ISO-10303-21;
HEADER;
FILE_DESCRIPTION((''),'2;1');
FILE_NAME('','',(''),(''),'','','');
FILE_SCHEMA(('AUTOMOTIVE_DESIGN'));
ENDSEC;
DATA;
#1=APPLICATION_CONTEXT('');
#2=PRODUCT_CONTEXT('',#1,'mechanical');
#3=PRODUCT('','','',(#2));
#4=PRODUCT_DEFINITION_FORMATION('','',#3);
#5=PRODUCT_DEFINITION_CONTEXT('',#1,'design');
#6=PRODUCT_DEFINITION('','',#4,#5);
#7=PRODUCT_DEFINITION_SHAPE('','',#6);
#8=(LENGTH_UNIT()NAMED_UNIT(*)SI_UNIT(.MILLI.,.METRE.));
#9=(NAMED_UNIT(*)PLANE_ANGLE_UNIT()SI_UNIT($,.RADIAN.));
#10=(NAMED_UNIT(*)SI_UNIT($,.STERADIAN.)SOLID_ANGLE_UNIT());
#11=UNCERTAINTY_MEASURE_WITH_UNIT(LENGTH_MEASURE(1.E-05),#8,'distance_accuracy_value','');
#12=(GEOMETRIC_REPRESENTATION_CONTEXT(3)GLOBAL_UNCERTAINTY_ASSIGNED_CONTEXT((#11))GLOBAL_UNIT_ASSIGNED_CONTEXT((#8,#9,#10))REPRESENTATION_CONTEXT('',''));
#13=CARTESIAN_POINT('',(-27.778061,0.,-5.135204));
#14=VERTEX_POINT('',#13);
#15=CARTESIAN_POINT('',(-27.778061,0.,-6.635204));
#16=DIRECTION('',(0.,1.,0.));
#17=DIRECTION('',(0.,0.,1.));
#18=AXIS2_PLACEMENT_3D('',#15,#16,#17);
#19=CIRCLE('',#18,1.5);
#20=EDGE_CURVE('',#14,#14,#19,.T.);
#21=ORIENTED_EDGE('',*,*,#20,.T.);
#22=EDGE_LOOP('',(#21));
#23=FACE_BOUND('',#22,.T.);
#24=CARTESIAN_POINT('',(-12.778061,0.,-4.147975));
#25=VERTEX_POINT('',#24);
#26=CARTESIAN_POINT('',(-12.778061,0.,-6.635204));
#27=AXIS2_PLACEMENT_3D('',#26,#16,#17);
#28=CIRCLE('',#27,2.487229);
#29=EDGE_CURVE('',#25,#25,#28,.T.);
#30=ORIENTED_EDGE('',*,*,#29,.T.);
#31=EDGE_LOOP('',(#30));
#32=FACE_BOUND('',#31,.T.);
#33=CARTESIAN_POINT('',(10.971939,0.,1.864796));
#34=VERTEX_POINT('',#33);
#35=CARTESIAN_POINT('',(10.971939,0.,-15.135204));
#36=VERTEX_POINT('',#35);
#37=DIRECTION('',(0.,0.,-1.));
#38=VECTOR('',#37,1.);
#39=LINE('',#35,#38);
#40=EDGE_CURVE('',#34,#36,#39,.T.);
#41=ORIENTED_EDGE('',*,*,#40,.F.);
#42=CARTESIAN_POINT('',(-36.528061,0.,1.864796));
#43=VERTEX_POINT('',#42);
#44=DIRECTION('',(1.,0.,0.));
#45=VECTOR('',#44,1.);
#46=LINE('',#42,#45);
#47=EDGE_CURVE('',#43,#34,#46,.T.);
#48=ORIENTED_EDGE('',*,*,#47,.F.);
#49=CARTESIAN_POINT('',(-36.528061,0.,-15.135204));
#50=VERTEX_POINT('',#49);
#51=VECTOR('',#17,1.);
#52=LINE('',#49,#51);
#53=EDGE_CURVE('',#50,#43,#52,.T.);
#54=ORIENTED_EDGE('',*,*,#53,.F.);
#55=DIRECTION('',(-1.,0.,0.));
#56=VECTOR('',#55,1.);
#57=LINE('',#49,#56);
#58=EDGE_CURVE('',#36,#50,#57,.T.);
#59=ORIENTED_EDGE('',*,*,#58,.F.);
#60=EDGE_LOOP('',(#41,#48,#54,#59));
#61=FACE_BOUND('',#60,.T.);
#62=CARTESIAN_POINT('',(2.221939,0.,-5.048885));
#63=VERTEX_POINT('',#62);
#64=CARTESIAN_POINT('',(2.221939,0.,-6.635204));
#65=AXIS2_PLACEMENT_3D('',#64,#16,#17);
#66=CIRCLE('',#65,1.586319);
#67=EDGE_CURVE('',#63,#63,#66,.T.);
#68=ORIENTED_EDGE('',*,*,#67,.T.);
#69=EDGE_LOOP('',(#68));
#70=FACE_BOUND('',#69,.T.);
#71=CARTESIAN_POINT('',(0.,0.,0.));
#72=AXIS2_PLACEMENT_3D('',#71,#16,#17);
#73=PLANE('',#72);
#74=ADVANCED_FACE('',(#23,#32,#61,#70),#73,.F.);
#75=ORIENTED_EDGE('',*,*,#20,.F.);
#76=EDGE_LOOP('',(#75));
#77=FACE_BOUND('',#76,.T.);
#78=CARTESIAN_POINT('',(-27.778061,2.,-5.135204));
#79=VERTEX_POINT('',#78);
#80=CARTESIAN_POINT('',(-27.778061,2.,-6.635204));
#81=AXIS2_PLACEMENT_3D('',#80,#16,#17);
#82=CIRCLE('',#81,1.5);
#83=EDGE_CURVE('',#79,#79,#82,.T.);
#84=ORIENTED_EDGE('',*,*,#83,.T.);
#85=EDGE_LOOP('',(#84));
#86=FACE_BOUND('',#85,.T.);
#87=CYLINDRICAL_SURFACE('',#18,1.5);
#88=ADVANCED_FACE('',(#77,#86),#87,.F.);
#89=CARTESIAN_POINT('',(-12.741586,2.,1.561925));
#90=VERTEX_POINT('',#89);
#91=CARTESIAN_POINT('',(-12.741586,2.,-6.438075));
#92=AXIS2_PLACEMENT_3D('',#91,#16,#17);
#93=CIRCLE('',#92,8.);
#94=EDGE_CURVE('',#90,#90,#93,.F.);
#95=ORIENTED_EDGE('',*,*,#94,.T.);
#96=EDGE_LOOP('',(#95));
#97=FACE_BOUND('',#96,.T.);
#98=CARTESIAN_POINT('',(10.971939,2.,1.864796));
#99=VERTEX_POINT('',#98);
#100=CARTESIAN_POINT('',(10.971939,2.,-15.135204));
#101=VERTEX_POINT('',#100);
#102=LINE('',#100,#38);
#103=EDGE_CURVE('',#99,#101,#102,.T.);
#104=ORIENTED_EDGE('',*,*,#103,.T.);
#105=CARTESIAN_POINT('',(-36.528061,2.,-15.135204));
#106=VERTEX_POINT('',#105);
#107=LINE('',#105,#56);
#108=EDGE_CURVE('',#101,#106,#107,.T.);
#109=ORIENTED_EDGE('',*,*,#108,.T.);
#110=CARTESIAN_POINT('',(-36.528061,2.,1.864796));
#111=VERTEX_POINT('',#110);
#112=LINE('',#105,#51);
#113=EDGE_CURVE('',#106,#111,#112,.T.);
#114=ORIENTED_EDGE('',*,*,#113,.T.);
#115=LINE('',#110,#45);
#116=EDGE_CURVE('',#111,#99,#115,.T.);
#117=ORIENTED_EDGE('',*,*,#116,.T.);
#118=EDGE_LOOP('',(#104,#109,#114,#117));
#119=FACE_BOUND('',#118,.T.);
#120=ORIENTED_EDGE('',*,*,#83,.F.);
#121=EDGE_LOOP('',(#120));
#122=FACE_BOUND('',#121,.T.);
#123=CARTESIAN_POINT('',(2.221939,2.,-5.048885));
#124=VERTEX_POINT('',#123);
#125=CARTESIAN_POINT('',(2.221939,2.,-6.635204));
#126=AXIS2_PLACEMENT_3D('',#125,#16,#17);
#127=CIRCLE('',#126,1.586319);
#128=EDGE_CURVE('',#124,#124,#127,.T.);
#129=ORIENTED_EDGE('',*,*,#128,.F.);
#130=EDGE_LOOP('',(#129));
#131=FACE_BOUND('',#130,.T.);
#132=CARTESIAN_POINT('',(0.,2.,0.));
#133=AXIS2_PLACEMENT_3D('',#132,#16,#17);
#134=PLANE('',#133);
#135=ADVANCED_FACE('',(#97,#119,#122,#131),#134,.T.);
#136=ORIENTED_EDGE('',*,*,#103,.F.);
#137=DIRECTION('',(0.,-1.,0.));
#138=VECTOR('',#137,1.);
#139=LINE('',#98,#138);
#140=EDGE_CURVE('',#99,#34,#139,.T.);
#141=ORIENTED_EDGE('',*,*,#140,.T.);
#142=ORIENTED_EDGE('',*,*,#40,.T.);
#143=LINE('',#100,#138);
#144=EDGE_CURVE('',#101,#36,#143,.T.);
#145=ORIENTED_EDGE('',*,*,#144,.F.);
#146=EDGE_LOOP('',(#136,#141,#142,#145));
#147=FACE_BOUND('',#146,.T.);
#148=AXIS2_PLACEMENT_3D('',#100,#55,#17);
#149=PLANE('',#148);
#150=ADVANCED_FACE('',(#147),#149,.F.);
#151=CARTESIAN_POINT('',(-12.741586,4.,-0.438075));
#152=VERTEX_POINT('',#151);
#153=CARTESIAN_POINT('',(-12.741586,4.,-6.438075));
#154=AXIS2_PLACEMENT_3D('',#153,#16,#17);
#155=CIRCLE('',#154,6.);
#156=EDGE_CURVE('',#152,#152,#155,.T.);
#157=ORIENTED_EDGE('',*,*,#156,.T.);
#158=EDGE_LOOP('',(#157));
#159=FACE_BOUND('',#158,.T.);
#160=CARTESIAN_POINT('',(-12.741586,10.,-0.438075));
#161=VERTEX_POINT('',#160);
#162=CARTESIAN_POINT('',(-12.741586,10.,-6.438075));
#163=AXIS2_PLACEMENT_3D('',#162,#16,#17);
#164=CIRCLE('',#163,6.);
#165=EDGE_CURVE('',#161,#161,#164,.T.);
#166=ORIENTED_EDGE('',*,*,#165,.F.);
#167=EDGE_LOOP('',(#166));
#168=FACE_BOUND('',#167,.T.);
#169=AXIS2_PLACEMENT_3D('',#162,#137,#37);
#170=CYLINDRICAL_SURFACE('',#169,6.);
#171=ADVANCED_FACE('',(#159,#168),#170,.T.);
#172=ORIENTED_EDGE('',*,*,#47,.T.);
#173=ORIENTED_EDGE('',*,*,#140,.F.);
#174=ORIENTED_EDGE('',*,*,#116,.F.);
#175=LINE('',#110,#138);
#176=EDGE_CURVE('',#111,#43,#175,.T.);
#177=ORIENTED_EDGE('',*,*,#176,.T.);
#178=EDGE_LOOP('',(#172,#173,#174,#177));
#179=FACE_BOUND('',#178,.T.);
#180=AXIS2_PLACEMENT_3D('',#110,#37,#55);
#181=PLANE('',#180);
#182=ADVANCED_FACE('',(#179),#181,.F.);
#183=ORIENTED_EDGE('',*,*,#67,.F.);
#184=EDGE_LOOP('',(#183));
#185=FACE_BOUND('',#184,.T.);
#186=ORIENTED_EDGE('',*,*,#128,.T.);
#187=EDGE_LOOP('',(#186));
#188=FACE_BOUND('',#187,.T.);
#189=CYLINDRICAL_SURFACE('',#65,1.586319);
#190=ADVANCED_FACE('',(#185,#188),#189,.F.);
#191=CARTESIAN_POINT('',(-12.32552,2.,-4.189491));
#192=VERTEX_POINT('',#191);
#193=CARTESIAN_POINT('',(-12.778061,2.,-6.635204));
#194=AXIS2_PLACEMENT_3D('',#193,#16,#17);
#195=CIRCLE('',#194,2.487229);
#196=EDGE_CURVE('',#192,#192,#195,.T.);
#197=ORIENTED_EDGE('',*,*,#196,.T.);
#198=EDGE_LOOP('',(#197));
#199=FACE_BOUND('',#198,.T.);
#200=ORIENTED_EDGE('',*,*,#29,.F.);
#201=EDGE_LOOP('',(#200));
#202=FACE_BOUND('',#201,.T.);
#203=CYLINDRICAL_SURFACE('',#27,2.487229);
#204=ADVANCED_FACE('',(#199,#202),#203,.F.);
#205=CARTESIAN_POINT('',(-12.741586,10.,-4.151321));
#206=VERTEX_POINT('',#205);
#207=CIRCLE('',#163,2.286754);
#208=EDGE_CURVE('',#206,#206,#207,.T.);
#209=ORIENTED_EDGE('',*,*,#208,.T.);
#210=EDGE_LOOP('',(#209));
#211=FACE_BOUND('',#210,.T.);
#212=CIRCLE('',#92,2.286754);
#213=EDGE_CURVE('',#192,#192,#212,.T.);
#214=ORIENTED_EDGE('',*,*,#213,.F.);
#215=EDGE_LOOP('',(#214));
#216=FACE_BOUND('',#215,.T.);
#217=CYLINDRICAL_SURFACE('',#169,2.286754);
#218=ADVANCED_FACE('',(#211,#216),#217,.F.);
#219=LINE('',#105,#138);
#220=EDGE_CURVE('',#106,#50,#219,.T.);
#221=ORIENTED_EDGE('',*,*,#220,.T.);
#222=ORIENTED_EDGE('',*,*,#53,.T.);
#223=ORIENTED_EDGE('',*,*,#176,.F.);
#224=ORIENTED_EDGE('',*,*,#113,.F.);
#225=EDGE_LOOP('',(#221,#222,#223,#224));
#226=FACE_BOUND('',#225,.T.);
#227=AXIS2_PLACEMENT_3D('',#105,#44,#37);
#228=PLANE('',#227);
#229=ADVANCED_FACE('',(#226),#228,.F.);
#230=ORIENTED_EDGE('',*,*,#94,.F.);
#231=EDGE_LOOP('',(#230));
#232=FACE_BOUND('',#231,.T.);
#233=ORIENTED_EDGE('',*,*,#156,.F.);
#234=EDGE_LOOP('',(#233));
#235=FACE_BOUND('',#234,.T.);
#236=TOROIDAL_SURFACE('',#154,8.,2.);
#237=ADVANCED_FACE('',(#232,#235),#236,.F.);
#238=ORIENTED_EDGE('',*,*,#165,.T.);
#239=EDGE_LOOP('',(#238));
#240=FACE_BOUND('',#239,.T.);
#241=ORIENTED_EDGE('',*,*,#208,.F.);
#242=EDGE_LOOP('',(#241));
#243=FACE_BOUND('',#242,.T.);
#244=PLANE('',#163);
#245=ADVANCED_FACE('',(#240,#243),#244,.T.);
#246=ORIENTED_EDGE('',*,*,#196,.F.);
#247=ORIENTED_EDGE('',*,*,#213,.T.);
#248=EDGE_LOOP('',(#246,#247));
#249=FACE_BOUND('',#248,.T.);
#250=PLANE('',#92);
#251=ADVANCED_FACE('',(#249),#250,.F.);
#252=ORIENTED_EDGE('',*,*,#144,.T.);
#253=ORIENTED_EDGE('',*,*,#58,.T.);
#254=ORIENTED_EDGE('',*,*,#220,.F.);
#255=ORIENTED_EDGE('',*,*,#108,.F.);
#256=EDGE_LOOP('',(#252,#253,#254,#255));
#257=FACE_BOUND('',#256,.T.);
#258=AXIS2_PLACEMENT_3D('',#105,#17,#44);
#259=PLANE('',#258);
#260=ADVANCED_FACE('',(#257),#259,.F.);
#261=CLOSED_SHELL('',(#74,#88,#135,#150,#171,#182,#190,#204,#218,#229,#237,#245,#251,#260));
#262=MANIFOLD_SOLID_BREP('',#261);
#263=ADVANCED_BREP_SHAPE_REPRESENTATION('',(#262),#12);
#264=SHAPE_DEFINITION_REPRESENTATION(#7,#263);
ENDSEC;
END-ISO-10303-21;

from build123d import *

# Parameters (mm, degrees)
SKETCH1_W           = 47.5
SKETCH1_H           = 17
BOSS_EXTRUDE1_DEPTH = 2
SKETCH2_R           = 2.487228871
SKETCH2_R_2         = 1.586318918
SKETCH2_R_3         = 1.5
CUT_EXTRUDE2_DEPTH  = 2
SKETCH5_R           = 6
SKETCH5_R_2         = 2.286753702
BOSS_EXTRUDE3_DEPTH = 8
FILLET1_R           = 2


with BuildPart() as part:
    # Sketch1 → Boss-Extrude1 (new body)
    with BuildSketch(Plane(origin=(0, 0, 0), x_dir=(1, 0, 0), z_dir=(0, 1, 0))):
        with Locations((-12.778061224, 6.635204082)):
            Rectangle(SKETCH1_W, SKETCH1_H)
    extrude(amount=BOSS_EXTRUDE1_DEPTH)

    # Sketch2 → Cut-Extrude2 (cut)
    with BuildSketch(Plane(origin=(0, 2, 0), x_dir=(1, 0, 0), z_dir=(0, 1, 0))):
        with Locations(Location((-12.778061224, 6.635204082, 0), (0, 0, 270))):
            Circle(SKETCH2_R)
        with Locations(Location((2.221938776, 6.635204082, 0), (0, 0, 270))):
            Circle(SKETCH2_R_2)
        with Locations(Location((-27.778061224, 6.635204082, 0), (0, 0, 270))):
            Circle(SKETCH2_R_3)
    extrude(amount=-CUT_EXTRUDE2_DEPTH, mode=Mode.SUBTRACT)

    # Sketch5 → Boss-Extrude3 (add)
    with BuildSketch(Plane(origin=(0, 2, 0), x_dir=(1, 0, 0), z_dir=(0, 1, 0))):
        with Locations(Location((-12.741585604, 6.438075133, 0), (0, 0, 270))):
            Circle(SKETCH5_R)
        with Locations(Location((-12.741585604, 6.438075133, 0), (0, 0, 280.48311938))):
            Circle(SKETCH5_R_2, mode=Mode.SUBTRACT)
    extrude(amount=BOSS_EXTRUDE3_DEPTH)

    # Fillet1
    fillet1_edges = [part.edges().sort_by_distance(p)[0] for p in [
        (-12.741585604, 2, -12.438075133),
    ]]
    fillet(fillet1_edges, radius=FILLET1_R)


solid = part.part
